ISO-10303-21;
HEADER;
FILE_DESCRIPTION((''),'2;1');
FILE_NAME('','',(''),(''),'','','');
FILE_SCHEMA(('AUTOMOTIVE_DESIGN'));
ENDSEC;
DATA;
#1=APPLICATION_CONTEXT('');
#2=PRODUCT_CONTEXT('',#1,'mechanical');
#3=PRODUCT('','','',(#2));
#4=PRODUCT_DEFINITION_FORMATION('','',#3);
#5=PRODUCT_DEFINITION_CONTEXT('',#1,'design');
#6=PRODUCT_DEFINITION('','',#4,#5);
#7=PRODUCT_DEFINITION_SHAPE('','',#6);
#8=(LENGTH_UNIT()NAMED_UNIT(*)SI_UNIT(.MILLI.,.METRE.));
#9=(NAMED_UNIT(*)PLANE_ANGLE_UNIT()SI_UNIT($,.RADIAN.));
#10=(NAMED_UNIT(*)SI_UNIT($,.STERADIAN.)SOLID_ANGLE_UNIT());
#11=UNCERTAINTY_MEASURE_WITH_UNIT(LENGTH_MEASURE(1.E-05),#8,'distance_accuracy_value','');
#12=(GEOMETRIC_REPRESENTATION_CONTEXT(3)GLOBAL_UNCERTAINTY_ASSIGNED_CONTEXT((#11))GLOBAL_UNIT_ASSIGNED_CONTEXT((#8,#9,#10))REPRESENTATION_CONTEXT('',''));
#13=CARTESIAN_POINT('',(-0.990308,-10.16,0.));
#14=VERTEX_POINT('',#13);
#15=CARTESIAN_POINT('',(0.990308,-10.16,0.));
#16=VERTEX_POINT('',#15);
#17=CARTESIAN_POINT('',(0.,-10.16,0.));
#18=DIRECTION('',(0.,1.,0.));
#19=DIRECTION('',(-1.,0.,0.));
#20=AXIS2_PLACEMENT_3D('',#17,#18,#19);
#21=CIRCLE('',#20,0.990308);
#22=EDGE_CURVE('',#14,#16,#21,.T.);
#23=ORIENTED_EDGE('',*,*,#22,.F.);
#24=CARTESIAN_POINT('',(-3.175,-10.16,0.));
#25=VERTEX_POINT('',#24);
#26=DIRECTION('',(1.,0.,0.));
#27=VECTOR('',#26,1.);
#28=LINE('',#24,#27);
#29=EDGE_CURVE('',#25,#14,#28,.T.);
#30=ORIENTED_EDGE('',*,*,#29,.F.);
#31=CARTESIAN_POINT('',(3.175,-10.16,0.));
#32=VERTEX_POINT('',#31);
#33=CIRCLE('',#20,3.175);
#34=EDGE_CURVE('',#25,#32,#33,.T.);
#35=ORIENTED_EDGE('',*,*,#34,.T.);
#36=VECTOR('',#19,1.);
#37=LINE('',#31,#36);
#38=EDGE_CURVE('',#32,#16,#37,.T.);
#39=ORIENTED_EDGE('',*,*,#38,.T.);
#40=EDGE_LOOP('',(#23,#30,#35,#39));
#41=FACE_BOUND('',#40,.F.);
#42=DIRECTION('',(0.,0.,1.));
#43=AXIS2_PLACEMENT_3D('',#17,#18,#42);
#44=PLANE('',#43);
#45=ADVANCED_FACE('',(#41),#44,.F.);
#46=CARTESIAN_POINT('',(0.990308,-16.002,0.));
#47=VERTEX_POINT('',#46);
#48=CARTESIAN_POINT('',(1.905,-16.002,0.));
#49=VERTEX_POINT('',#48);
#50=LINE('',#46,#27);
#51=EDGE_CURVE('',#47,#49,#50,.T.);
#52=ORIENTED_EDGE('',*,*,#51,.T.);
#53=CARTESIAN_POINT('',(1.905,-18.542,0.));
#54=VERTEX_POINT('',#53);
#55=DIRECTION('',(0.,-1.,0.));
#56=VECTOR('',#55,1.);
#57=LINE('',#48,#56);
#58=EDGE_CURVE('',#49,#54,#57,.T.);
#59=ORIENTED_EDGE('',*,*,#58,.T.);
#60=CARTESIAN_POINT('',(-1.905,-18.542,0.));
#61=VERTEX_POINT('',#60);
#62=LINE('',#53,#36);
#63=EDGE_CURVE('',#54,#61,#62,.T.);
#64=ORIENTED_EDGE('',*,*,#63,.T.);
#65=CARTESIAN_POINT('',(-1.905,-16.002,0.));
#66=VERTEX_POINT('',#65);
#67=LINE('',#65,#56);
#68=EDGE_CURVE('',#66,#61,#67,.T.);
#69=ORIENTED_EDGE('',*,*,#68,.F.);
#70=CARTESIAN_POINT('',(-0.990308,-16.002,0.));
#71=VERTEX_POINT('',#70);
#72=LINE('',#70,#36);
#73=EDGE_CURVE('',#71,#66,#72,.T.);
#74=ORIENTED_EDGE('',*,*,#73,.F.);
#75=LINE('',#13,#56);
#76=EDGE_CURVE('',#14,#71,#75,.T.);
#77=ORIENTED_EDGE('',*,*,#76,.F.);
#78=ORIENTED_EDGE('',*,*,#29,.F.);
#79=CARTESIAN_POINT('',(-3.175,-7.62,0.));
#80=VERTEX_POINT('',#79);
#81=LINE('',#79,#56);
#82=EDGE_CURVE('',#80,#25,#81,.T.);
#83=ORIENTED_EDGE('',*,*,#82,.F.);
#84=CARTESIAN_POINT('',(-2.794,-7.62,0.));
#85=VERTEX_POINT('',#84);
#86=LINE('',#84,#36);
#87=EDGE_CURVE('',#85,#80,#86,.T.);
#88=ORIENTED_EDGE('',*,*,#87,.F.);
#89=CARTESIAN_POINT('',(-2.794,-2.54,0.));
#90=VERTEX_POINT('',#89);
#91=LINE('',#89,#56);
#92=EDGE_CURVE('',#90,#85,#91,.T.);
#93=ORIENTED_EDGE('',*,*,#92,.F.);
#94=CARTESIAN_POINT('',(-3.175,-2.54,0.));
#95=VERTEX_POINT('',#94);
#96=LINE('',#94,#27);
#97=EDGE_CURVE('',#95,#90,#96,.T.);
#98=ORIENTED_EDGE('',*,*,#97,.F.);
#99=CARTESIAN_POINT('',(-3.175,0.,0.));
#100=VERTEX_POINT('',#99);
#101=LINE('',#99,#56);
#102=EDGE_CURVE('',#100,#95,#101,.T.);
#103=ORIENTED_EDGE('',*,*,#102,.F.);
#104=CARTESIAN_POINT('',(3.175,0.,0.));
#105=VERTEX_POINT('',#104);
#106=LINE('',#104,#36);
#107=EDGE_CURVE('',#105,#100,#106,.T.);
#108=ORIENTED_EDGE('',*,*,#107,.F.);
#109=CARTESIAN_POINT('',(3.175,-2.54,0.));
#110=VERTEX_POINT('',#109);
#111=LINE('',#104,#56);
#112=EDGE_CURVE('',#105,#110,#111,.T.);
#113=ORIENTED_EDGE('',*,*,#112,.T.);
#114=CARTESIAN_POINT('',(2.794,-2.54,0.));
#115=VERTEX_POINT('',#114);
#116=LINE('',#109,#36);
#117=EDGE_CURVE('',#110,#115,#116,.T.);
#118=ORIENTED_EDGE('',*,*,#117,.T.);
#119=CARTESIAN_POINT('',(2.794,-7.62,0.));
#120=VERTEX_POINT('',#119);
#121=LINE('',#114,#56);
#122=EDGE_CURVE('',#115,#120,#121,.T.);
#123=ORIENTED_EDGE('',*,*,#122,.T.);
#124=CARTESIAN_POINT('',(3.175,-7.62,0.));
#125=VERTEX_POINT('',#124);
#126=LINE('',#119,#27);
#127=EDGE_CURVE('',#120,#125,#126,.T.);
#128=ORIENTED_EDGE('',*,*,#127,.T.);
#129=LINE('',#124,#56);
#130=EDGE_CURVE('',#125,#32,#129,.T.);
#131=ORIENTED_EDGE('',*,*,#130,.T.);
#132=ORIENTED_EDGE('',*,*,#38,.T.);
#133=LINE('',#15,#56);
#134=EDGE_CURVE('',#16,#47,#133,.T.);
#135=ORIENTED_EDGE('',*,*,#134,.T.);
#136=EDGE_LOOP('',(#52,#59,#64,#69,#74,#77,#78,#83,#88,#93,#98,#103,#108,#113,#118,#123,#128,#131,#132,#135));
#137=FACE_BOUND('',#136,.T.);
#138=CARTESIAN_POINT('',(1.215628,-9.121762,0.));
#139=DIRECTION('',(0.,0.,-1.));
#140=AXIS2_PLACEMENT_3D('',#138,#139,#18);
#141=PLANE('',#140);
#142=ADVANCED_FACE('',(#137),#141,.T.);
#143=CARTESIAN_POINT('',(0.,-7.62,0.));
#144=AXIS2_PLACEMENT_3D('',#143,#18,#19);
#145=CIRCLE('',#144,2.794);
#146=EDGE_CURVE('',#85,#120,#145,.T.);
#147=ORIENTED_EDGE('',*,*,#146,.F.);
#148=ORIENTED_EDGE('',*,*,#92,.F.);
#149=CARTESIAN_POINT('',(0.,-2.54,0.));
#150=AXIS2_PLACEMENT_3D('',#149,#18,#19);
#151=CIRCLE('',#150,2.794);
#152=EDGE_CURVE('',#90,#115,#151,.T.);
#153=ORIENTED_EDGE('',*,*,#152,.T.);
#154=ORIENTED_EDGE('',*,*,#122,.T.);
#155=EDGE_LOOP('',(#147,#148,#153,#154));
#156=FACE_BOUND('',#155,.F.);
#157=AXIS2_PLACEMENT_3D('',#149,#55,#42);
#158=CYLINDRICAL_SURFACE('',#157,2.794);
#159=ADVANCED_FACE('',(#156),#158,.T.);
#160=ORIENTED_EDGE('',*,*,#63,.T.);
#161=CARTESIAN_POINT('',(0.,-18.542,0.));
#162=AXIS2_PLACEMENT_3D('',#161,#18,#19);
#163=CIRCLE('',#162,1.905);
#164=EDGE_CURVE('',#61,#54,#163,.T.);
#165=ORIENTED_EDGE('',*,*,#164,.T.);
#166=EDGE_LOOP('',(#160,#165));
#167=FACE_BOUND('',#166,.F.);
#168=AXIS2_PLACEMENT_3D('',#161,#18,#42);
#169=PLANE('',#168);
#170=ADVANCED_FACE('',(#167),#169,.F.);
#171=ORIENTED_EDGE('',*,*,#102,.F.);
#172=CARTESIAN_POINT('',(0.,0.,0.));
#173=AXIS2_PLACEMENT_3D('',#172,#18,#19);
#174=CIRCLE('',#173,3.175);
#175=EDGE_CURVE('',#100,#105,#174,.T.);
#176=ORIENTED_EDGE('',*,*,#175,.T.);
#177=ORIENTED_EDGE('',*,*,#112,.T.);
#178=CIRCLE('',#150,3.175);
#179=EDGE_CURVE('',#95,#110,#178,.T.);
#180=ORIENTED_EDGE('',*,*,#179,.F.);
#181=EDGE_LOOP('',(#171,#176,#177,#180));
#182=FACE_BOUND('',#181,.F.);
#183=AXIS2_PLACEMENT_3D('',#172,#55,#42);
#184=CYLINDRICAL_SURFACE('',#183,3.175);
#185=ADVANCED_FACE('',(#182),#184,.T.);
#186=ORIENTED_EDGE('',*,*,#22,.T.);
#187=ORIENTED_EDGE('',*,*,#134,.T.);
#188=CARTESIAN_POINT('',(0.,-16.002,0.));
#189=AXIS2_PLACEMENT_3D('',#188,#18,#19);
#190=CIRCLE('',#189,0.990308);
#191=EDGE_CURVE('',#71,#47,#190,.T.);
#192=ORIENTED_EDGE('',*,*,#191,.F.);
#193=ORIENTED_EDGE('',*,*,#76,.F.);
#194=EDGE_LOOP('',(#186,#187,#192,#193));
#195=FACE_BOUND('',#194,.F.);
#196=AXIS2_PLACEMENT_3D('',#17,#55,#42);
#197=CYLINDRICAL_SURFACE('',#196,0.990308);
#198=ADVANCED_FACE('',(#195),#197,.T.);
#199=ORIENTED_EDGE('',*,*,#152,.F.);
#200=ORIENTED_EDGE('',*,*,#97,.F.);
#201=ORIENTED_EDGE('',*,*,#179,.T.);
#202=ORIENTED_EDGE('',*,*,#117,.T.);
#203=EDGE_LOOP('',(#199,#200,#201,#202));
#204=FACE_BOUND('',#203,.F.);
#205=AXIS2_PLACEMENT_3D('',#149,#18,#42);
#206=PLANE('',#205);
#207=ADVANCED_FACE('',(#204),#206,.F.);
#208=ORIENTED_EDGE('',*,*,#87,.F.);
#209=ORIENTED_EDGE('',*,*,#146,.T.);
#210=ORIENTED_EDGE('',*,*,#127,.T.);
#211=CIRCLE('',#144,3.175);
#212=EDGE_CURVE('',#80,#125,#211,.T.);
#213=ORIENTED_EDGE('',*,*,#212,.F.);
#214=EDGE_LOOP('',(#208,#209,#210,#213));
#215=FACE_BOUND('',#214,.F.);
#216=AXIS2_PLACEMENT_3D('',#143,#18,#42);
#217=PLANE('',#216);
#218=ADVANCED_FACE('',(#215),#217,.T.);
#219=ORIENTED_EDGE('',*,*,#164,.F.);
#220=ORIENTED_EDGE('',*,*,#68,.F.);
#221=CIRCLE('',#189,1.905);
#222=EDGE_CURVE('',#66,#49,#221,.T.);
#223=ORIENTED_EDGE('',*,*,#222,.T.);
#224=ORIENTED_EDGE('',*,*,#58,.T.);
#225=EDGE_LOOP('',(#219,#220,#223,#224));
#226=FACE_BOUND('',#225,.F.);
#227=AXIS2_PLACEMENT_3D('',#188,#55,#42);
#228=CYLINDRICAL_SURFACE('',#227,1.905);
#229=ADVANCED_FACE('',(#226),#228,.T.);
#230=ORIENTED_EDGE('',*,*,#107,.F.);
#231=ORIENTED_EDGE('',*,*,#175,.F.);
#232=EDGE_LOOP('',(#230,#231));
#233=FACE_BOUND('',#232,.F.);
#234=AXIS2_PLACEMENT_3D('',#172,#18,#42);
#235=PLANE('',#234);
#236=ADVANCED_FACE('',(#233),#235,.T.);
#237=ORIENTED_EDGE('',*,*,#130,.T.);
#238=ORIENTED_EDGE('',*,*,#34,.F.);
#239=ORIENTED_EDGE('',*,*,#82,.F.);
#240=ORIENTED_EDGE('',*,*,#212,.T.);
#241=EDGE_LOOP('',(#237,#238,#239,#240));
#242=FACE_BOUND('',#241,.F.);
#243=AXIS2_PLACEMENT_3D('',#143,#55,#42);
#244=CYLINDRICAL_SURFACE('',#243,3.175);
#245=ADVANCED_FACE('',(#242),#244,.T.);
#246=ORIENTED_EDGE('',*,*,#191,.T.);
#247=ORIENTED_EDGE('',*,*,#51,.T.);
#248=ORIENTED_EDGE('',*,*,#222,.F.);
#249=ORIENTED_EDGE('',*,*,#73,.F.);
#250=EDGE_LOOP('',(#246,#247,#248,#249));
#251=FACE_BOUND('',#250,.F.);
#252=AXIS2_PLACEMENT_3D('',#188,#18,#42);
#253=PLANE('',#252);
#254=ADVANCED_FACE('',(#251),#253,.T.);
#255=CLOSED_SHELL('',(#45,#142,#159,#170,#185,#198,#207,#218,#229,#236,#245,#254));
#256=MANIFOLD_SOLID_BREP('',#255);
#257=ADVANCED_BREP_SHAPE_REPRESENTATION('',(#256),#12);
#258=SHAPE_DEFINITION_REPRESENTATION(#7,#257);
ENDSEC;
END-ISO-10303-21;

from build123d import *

# Parameters (mm, degrees)
F1_ANGLE = 180


with BuildPart() as f1:
    # F0 (on Right) → F1 (revolve, symmetric)
    with BuildSketch(Plane.YZ) as f1_sk:
        Polygon((-18.542, 0), (0, 0), (0, 3.175), (-2.54, 3.175), (-2.54, 2.794), (-7.62, 2.794), (-7.62, 3.175), (-10.16, 3.175), (-10.16, 0.990308), (-16.002, 0.990308), (-16.002, 1.905), (-18.542, 1.905), align=None)
    revolve(axis=Axis((0, -9.271, 0), (0, -1, 0)), revolution_arc=F1_ANGLE / 2)
    revolve(f1_sk.sketch, axis=Axis((0, -9.271, 0), (0, 1, 0)), revolution_arc=F1_ANGLE / 2)


solid = f1.part
